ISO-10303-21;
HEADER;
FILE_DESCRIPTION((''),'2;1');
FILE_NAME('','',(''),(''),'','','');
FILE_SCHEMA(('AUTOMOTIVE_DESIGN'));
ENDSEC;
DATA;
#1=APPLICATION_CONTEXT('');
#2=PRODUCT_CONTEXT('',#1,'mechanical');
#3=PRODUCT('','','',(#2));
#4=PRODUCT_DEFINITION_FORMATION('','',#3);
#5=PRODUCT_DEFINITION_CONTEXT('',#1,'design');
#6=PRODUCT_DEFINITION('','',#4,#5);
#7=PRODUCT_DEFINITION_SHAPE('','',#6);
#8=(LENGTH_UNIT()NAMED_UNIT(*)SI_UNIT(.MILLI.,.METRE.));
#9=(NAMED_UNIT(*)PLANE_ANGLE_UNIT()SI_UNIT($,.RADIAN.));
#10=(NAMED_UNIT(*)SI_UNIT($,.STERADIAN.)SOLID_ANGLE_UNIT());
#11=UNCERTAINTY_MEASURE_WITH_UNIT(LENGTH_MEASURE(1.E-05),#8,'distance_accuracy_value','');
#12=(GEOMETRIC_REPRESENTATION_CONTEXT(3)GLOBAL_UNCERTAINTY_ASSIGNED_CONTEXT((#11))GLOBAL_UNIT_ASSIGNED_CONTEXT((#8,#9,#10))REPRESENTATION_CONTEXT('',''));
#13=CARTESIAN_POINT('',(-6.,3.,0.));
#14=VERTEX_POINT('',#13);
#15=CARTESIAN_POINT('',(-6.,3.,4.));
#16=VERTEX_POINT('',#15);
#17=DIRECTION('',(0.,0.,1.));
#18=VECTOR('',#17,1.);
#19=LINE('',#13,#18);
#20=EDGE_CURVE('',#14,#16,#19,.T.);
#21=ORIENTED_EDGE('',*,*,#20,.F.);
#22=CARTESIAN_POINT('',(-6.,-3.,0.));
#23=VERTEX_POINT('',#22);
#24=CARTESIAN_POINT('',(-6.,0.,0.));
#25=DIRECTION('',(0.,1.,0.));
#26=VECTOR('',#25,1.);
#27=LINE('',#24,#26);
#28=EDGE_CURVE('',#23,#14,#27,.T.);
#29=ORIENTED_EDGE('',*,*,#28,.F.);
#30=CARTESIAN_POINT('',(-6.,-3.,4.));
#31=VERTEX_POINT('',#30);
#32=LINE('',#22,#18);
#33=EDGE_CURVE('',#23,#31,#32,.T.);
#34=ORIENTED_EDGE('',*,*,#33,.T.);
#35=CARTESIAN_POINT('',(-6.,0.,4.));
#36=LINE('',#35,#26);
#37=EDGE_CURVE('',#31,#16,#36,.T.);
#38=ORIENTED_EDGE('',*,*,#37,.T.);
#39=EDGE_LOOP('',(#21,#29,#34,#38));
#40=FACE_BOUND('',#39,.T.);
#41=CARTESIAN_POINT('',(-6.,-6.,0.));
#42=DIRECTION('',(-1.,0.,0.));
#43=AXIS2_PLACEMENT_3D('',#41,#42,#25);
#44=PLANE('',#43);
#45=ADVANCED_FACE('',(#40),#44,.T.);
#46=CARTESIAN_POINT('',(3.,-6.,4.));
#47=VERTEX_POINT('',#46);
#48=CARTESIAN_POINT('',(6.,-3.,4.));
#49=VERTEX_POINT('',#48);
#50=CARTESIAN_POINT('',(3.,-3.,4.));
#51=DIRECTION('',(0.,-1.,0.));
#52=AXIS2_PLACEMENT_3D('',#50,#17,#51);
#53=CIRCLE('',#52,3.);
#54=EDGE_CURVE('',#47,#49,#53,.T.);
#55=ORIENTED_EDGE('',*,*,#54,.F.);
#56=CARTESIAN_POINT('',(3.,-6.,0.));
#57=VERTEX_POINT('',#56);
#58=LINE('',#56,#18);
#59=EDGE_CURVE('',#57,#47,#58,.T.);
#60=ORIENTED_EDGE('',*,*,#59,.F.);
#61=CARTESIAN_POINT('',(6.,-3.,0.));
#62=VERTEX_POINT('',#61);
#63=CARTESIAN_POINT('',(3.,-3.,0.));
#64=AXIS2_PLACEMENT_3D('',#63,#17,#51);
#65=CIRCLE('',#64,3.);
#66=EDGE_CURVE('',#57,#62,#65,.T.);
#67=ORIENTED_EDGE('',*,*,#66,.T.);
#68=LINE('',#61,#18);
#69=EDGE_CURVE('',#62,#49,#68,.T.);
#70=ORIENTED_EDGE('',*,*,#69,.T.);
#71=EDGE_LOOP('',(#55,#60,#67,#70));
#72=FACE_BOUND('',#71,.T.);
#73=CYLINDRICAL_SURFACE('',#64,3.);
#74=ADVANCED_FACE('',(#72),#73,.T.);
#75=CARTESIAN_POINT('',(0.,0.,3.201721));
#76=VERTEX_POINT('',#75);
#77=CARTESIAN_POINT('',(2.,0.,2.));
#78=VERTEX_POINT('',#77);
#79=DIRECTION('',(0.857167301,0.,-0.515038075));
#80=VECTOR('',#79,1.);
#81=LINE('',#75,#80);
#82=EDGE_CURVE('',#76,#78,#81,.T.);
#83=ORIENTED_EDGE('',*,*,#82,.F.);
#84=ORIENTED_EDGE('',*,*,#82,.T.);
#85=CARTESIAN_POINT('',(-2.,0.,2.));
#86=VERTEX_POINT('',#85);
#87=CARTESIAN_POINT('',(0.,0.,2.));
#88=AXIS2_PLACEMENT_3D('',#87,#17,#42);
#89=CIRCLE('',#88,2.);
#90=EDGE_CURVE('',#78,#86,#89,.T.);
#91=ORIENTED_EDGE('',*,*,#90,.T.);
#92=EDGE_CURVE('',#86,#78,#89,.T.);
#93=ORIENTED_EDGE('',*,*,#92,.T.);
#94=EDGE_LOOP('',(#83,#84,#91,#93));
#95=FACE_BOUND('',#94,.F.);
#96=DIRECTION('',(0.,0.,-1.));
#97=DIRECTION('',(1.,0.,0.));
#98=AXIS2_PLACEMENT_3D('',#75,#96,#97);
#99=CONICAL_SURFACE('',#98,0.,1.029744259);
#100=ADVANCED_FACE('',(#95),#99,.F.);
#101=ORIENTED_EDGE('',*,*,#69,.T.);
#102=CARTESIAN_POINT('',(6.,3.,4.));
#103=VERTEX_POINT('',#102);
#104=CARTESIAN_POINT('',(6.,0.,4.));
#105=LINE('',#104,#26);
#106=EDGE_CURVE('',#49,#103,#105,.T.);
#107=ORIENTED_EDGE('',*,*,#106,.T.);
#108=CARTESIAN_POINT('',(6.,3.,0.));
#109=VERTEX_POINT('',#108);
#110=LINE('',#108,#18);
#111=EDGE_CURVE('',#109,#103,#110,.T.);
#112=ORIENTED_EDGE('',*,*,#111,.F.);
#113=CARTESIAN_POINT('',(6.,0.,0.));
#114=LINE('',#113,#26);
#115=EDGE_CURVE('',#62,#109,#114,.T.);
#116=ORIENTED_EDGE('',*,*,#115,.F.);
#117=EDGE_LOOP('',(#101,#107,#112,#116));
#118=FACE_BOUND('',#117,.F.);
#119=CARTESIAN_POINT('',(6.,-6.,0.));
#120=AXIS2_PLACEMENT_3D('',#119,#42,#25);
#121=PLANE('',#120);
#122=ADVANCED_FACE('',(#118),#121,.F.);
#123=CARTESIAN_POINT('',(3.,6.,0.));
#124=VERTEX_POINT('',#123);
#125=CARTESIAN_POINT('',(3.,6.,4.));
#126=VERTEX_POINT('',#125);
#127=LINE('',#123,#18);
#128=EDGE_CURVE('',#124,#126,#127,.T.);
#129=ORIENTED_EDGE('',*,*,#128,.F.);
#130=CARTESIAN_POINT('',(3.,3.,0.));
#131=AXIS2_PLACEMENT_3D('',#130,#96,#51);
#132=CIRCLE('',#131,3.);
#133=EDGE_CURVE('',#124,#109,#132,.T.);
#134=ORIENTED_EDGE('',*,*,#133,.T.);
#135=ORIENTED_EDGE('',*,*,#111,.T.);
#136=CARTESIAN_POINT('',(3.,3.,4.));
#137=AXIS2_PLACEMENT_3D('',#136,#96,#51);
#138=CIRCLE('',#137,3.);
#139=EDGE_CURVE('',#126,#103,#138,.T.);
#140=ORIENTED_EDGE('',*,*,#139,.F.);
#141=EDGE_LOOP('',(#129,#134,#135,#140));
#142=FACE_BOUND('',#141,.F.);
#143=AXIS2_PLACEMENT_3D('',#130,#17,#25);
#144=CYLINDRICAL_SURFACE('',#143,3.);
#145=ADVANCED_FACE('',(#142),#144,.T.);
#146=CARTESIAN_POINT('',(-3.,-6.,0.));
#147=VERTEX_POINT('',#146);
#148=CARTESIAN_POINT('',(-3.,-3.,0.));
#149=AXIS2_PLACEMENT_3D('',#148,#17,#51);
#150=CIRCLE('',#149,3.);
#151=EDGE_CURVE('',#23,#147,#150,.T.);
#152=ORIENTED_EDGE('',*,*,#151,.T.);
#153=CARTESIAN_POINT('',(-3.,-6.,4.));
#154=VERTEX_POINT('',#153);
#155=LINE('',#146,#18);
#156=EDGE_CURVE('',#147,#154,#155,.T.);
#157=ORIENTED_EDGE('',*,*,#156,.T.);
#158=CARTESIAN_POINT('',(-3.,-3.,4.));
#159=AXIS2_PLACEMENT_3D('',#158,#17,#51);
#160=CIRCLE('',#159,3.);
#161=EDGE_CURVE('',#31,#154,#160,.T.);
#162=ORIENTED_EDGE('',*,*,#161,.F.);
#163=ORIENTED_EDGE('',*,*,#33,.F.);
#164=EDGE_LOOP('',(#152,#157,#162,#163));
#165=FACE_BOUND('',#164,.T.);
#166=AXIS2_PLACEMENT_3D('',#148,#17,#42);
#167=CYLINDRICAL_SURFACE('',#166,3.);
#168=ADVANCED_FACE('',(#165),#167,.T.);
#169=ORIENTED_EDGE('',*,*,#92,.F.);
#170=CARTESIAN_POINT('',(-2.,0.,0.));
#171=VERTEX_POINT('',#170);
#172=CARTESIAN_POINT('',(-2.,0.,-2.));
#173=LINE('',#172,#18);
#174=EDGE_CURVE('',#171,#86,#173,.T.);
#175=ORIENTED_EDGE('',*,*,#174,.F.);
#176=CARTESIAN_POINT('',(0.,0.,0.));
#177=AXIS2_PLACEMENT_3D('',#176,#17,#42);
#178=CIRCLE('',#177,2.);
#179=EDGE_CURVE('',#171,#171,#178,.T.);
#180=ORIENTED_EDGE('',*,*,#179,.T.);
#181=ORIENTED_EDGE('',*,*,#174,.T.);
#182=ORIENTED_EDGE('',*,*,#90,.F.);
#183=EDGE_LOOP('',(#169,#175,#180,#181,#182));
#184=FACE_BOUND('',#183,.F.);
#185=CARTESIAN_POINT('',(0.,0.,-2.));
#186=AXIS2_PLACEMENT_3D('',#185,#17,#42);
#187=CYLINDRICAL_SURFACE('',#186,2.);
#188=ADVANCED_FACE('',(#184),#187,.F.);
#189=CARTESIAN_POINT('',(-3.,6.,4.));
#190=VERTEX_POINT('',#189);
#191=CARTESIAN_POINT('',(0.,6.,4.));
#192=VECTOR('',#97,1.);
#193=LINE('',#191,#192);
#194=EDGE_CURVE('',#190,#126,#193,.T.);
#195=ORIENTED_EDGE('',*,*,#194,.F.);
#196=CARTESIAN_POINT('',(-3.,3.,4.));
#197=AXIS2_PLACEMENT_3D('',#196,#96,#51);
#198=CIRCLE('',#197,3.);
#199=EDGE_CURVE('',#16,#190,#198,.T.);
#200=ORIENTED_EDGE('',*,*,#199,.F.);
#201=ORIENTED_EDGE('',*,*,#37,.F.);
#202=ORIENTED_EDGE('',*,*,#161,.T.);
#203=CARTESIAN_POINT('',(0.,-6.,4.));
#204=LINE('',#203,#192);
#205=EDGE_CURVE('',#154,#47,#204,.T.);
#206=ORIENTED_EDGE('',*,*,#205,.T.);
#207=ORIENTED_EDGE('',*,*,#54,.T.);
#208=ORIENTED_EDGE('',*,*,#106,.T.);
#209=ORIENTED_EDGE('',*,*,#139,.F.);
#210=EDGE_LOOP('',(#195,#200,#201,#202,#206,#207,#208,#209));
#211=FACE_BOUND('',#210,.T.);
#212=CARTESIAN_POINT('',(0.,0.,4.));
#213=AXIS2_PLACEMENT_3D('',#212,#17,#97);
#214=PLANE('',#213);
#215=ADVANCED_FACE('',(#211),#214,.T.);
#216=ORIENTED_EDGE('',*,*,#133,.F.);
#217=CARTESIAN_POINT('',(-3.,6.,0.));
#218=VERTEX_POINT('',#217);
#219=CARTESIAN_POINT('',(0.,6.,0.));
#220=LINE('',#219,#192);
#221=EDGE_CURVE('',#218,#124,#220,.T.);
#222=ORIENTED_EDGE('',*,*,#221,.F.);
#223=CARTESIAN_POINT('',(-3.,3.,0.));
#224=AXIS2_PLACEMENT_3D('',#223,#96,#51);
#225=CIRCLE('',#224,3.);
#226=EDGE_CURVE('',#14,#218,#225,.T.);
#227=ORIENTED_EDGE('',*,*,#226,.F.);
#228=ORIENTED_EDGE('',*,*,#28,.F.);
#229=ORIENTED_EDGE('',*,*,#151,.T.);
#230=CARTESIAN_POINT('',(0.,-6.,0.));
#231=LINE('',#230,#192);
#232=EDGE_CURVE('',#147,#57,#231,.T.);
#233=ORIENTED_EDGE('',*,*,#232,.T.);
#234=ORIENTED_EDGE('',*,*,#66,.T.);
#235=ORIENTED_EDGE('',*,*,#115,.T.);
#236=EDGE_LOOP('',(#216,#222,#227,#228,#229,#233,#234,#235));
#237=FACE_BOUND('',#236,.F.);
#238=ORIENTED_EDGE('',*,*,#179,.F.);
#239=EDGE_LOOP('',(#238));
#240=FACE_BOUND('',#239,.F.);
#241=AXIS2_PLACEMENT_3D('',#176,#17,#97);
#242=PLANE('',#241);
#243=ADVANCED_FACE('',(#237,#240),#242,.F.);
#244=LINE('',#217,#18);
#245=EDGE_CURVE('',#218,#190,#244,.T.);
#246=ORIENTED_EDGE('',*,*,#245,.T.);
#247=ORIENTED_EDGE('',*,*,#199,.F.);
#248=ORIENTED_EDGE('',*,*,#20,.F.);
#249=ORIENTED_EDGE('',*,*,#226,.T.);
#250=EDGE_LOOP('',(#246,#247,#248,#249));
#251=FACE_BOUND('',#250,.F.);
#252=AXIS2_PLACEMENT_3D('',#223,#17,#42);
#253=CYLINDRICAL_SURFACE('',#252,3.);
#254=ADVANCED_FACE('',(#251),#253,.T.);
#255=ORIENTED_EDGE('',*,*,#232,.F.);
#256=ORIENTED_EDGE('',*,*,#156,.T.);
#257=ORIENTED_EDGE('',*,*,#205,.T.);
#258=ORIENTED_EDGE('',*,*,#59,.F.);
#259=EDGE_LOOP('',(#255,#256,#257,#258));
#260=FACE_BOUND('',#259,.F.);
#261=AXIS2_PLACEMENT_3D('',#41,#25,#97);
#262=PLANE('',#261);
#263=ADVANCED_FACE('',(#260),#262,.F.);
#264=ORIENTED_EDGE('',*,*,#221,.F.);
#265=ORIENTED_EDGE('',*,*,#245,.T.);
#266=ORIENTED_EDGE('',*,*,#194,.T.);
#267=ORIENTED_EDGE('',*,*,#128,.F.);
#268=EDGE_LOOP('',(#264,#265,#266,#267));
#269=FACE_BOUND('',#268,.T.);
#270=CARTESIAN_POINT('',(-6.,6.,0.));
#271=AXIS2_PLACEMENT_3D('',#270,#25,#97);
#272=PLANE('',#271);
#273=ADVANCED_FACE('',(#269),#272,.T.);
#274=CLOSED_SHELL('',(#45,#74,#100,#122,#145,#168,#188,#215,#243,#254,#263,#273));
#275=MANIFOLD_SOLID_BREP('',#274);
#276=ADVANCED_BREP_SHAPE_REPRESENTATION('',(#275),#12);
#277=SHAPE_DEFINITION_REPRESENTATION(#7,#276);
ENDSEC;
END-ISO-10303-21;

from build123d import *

# Parameters (mm, degrees)
F0_W     = 12
F0_H     = 12
F1_DEPTH = 4
F2_D     = 4
F2_DEPTH = 2
F2_TIP   = 1.2017212381
F3_R     = 3


with BuildPart() as f1:
    # F0 (on Top) → F1 (new body)
    with BuildSketch(Plane.XY):
        Rectangle(F0_W, F0_H)
    extrude(amount=F1_DEPTH)

    # F2
    with Locations(Plane(origin=(0, 0, 0), x_dir=(1, 0, 0), z_dir=(0, 0, -1))):
        with Locations((0, 0)):
            Hole(F2_D / 2, depth=F2_DEPTH)
            with Locations((0, 0, -(F2_DEPTH + F2_TIP / 2))):  # 118° drill point
                Cone(0, F2_D / 2, F2_TIP, mode=Mode.SUBTRACT)

    # F3
    f3_edges = [f1.edges().sort_by_distance(p)[0] for p in [
        (6, 6, 2),
        (-6, 6, 2),
        (-6, -6, 2),
        (6, -6, 2),
    ]]
    fillet(f3_edges, radius=F3_R)


solid = f1.part
